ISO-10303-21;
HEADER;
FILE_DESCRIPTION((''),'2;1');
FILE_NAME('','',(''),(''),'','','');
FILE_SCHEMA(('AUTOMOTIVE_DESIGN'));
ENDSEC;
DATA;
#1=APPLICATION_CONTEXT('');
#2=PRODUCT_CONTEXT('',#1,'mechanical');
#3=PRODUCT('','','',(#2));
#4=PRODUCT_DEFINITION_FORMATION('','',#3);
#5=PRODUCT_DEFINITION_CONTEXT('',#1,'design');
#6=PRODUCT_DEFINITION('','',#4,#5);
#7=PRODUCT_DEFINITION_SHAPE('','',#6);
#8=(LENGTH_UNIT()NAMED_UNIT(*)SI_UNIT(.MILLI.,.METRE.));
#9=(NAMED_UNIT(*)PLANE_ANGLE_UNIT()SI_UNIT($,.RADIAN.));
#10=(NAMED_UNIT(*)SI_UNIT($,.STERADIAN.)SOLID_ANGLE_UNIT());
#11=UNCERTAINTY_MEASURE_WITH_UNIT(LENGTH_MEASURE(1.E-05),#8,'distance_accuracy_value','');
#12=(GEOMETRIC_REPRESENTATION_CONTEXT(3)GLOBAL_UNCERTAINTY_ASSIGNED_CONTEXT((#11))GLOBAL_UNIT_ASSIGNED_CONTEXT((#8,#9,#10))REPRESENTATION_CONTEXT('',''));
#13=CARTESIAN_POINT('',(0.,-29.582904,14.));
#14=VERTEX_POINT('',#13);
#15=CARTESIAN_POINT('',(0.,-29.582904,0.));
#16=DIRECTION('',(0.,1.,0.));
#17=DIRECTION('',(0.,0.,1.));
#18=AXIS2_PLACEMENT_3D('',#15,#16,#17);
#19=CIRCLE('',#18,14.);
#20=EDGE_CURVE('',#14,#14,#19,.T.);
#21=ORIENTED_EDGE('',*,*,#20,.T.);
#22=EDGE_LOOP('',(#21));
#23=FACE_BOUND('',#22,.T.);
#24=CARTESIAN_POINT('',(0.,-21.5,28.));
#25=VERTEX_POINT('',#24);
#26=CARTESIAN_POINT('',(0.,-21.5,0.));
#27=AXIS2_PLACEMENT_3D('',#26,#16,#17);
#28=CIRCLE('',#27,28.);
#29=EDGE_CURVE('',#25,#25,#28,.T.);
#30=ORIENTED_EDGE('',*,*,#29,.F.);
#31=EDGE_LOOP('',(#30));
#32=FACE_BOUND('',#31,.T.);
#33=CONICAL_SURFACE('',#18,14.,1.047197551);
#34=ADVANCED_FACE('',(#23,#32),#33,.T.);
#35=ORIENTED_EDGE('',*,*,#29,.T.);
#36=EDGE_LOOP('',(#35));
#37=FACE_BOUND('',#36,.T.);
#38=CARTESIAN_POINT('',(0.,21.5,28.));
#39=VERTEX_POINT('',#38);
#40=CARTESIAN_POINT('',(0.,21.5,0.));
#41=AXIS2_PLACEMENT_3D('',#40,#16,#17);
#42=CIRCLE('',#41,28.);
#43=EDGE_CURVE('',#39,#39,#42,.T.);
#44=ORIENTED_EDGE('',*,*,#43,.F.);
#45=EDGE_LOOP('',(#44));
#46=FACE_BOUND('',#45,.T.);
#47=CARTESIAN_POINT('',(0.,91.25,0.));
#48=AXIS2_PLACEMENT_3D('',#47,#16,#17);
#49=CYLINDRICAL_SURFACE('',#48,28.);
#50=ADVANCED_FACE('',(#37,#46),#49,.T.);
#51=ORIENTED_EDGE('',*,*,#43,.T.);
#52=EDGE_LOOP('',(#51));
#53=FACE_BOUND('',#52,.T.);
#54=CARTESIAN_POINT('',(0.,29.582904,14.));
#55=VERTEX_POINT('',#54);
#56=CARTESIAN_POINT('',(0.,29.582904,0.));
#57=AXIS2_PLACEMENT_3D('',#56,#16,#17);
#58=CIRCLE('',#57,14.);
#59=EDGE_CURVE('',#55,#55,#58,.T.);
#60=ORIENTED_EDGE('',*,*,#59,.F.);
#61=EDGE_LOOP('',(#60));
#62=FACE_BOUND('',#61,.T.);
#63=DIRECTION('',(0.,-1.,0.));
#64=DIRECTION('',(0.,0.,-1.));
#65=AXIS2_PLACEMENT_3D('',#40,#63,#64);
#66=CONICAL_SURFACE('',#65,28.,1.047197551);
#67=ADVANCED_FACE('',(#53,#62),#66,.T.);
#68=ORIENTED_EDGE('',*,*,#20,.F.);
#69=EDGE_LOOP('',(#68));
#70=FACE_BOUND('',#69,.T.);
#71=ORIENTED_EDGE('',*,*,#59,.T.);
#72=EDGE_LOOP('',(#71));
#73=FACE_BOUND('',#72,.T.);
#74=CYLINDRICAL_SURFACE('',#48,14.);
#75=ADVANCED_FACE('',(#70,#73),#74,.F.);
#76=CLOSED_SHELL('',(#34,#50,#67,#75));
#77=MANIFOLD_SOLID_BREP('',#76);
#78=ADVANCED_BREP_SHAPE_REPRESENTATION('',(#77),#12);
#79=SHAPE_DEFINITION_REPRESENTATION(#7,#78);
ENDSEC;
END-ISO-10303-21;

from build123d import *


with BuildPart() as part:
    # Sketch1 → Revolve1 (revolve)
    with BuildSketch(Plane.XY):
        Polygon((14, 29.582903769), (14, -29.582903769), (28, -21.5), (28, 21.5), align=None)
    revolve(axis=Axis((0, 91.25, 0), (0, -1, 0)))


solid = part.part
